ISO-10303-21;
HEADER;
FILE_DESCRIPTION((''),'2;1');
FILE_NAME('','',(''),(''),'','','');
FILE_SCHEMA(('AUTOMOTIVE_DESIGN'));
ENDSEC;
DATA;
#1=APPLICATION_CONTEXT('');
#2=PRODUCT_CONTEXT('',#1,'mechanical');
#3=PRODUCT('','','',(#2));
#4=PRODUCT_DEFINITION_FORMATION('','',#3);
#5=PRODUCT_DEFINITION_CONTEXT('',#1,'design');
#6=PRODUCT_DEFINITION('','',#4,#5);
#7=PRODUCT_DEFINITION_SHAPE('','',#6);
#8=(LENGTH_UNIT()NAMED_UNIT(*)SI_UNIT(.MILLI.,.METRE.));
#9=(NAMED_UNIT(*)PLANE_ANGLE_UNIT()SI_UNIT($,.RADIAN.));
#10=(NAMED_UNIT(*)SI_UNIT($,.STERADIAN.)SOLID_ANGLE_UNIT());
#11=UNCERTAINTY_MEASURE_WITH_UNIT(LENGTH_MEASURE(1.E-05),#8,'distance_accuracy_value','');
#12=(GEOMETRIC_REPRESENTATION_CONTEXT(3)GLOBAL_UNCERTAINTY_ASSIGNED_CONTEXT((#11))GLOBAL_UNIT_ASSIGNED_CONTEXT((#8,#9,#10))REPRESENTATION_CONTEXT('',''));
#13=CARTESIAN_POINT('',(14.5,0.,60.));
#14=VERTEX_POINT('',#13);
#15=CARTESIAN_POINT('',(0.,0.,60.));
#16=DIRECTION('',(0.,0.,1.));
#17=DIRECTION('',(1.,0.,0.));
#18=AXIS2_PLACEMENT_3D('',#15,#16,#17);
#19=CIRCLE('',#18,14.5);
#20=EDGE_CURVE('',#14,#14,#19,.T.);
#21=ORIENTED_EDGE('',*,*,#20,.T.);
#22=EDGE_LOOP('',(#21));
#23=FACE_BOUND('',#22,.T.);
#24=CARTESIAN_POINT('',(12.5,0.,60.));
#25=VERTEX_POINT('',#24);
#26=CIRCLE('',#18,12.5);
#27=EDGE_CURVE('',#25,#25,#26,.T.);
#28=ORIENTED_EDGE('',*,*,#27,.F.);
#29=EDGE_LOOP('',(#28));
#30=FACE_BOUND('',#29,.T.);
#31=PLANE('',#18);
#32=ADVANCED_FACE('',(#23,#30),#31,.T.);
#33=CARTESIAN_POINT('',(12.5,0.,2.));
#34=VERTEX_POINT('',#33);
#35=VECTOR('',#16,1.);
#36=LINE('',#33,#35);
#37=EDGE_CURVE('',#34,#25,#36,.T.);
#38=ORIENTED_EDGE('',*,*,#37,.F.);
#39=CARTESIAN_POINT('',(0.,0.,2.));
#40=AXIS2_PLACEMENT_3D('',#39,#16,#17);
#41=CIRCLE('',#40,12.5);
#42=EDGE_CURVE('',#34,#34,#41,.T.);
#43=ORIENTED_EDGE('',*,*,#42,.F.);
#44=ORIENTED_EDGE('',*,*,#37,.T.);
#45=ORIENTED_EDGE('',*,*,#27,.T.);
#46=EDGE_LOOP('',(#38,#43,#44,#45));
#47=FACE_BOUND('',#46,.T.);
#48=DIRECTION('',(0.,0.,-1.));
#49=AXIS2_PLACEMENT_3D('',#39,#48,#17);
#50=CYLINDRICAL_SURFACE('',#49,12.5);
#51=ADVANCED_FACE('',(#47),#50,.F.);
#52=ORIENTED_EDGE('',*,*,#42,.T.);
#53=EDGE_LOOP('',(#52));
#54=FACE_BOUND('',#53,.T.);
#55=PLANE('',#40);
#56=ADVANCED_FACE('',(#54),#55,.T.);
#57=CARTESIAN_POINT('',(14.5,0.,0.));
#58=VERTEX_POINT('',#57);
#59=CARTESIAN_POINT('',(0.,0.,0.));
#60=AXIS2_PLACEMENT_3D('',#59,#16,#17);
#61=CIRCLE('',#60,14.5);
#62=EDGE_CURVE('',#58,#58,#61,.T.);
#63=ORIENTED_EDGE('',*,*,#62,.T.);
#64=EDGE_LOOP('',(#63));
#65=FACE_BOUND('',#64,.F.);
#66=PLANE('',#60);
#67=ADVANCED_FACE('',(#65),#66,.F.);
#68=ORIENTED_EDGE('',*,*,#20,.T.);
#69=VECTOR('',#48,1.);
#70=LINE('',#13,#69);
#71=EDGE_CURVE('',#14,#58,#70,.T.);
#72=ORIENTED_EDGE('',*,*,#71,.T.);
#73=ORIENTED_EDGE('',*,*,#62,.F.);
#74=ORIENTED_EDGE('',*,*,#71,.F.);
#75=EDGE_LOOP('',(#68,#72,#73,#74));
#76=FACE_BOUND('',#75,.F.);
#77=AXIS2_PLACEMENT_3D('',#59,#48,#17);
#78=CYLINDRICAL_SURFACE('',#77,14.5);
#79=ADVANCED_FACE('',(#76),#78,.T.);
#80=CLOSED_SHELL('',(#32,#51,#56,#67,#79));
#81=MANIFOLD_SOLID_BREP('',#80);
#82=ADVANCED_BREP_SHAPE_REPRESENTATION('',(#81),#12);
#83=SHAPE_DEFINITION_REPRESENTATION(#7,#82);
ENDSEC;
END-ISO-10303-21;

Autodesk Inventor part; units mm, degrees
ref_plane "XZ Plane" through (0, 0, 0) normal (0, 1, 0) x (-1, 0, 0)
ref_plane "XY Plane" through (0, 0, 0) normal (0, 0, 1) x (1, 0, 0)
sketch "Esboço1" plane through (0, 0, 0) normal (0, 0, 1) x (1, 0, 0)
  circle A0 centre (0, 0) radius 14.5
  dimension "d0" = 29
extrude "Extrusão1" add sketch "Esboço1" along normal blind 2
sketch "Esboço2" plane through (0, 0, 2) normal (0, 0, 1) x (1, 0, 0)
  circle A0 centre (0, 0) radius 14.5 projected
  circle A1 centre (0, 0) radius 12.5
  dimension "d3" = 2
extrude "Extrusão2" add sketch "Esboço2" along normal blind 58
ref_plane "Plano de trabalho1" through (14.5, 0, 0) normal (1, 0, 0) x (0, 1, 0)
sketch "Esboço3" plane through (14.5, 0, 0) normal (1, 0, 0) x (0, 1, 0)
  circle A0 centre (0, 15) radius 1.5
  line L0 (-14.5, 0) -> (-14.5, 60) projected
  point P0 (0, 0)
  dimension "d7" = 3
  dimension "d8" = 15
  dimension "d9" = 14.5
